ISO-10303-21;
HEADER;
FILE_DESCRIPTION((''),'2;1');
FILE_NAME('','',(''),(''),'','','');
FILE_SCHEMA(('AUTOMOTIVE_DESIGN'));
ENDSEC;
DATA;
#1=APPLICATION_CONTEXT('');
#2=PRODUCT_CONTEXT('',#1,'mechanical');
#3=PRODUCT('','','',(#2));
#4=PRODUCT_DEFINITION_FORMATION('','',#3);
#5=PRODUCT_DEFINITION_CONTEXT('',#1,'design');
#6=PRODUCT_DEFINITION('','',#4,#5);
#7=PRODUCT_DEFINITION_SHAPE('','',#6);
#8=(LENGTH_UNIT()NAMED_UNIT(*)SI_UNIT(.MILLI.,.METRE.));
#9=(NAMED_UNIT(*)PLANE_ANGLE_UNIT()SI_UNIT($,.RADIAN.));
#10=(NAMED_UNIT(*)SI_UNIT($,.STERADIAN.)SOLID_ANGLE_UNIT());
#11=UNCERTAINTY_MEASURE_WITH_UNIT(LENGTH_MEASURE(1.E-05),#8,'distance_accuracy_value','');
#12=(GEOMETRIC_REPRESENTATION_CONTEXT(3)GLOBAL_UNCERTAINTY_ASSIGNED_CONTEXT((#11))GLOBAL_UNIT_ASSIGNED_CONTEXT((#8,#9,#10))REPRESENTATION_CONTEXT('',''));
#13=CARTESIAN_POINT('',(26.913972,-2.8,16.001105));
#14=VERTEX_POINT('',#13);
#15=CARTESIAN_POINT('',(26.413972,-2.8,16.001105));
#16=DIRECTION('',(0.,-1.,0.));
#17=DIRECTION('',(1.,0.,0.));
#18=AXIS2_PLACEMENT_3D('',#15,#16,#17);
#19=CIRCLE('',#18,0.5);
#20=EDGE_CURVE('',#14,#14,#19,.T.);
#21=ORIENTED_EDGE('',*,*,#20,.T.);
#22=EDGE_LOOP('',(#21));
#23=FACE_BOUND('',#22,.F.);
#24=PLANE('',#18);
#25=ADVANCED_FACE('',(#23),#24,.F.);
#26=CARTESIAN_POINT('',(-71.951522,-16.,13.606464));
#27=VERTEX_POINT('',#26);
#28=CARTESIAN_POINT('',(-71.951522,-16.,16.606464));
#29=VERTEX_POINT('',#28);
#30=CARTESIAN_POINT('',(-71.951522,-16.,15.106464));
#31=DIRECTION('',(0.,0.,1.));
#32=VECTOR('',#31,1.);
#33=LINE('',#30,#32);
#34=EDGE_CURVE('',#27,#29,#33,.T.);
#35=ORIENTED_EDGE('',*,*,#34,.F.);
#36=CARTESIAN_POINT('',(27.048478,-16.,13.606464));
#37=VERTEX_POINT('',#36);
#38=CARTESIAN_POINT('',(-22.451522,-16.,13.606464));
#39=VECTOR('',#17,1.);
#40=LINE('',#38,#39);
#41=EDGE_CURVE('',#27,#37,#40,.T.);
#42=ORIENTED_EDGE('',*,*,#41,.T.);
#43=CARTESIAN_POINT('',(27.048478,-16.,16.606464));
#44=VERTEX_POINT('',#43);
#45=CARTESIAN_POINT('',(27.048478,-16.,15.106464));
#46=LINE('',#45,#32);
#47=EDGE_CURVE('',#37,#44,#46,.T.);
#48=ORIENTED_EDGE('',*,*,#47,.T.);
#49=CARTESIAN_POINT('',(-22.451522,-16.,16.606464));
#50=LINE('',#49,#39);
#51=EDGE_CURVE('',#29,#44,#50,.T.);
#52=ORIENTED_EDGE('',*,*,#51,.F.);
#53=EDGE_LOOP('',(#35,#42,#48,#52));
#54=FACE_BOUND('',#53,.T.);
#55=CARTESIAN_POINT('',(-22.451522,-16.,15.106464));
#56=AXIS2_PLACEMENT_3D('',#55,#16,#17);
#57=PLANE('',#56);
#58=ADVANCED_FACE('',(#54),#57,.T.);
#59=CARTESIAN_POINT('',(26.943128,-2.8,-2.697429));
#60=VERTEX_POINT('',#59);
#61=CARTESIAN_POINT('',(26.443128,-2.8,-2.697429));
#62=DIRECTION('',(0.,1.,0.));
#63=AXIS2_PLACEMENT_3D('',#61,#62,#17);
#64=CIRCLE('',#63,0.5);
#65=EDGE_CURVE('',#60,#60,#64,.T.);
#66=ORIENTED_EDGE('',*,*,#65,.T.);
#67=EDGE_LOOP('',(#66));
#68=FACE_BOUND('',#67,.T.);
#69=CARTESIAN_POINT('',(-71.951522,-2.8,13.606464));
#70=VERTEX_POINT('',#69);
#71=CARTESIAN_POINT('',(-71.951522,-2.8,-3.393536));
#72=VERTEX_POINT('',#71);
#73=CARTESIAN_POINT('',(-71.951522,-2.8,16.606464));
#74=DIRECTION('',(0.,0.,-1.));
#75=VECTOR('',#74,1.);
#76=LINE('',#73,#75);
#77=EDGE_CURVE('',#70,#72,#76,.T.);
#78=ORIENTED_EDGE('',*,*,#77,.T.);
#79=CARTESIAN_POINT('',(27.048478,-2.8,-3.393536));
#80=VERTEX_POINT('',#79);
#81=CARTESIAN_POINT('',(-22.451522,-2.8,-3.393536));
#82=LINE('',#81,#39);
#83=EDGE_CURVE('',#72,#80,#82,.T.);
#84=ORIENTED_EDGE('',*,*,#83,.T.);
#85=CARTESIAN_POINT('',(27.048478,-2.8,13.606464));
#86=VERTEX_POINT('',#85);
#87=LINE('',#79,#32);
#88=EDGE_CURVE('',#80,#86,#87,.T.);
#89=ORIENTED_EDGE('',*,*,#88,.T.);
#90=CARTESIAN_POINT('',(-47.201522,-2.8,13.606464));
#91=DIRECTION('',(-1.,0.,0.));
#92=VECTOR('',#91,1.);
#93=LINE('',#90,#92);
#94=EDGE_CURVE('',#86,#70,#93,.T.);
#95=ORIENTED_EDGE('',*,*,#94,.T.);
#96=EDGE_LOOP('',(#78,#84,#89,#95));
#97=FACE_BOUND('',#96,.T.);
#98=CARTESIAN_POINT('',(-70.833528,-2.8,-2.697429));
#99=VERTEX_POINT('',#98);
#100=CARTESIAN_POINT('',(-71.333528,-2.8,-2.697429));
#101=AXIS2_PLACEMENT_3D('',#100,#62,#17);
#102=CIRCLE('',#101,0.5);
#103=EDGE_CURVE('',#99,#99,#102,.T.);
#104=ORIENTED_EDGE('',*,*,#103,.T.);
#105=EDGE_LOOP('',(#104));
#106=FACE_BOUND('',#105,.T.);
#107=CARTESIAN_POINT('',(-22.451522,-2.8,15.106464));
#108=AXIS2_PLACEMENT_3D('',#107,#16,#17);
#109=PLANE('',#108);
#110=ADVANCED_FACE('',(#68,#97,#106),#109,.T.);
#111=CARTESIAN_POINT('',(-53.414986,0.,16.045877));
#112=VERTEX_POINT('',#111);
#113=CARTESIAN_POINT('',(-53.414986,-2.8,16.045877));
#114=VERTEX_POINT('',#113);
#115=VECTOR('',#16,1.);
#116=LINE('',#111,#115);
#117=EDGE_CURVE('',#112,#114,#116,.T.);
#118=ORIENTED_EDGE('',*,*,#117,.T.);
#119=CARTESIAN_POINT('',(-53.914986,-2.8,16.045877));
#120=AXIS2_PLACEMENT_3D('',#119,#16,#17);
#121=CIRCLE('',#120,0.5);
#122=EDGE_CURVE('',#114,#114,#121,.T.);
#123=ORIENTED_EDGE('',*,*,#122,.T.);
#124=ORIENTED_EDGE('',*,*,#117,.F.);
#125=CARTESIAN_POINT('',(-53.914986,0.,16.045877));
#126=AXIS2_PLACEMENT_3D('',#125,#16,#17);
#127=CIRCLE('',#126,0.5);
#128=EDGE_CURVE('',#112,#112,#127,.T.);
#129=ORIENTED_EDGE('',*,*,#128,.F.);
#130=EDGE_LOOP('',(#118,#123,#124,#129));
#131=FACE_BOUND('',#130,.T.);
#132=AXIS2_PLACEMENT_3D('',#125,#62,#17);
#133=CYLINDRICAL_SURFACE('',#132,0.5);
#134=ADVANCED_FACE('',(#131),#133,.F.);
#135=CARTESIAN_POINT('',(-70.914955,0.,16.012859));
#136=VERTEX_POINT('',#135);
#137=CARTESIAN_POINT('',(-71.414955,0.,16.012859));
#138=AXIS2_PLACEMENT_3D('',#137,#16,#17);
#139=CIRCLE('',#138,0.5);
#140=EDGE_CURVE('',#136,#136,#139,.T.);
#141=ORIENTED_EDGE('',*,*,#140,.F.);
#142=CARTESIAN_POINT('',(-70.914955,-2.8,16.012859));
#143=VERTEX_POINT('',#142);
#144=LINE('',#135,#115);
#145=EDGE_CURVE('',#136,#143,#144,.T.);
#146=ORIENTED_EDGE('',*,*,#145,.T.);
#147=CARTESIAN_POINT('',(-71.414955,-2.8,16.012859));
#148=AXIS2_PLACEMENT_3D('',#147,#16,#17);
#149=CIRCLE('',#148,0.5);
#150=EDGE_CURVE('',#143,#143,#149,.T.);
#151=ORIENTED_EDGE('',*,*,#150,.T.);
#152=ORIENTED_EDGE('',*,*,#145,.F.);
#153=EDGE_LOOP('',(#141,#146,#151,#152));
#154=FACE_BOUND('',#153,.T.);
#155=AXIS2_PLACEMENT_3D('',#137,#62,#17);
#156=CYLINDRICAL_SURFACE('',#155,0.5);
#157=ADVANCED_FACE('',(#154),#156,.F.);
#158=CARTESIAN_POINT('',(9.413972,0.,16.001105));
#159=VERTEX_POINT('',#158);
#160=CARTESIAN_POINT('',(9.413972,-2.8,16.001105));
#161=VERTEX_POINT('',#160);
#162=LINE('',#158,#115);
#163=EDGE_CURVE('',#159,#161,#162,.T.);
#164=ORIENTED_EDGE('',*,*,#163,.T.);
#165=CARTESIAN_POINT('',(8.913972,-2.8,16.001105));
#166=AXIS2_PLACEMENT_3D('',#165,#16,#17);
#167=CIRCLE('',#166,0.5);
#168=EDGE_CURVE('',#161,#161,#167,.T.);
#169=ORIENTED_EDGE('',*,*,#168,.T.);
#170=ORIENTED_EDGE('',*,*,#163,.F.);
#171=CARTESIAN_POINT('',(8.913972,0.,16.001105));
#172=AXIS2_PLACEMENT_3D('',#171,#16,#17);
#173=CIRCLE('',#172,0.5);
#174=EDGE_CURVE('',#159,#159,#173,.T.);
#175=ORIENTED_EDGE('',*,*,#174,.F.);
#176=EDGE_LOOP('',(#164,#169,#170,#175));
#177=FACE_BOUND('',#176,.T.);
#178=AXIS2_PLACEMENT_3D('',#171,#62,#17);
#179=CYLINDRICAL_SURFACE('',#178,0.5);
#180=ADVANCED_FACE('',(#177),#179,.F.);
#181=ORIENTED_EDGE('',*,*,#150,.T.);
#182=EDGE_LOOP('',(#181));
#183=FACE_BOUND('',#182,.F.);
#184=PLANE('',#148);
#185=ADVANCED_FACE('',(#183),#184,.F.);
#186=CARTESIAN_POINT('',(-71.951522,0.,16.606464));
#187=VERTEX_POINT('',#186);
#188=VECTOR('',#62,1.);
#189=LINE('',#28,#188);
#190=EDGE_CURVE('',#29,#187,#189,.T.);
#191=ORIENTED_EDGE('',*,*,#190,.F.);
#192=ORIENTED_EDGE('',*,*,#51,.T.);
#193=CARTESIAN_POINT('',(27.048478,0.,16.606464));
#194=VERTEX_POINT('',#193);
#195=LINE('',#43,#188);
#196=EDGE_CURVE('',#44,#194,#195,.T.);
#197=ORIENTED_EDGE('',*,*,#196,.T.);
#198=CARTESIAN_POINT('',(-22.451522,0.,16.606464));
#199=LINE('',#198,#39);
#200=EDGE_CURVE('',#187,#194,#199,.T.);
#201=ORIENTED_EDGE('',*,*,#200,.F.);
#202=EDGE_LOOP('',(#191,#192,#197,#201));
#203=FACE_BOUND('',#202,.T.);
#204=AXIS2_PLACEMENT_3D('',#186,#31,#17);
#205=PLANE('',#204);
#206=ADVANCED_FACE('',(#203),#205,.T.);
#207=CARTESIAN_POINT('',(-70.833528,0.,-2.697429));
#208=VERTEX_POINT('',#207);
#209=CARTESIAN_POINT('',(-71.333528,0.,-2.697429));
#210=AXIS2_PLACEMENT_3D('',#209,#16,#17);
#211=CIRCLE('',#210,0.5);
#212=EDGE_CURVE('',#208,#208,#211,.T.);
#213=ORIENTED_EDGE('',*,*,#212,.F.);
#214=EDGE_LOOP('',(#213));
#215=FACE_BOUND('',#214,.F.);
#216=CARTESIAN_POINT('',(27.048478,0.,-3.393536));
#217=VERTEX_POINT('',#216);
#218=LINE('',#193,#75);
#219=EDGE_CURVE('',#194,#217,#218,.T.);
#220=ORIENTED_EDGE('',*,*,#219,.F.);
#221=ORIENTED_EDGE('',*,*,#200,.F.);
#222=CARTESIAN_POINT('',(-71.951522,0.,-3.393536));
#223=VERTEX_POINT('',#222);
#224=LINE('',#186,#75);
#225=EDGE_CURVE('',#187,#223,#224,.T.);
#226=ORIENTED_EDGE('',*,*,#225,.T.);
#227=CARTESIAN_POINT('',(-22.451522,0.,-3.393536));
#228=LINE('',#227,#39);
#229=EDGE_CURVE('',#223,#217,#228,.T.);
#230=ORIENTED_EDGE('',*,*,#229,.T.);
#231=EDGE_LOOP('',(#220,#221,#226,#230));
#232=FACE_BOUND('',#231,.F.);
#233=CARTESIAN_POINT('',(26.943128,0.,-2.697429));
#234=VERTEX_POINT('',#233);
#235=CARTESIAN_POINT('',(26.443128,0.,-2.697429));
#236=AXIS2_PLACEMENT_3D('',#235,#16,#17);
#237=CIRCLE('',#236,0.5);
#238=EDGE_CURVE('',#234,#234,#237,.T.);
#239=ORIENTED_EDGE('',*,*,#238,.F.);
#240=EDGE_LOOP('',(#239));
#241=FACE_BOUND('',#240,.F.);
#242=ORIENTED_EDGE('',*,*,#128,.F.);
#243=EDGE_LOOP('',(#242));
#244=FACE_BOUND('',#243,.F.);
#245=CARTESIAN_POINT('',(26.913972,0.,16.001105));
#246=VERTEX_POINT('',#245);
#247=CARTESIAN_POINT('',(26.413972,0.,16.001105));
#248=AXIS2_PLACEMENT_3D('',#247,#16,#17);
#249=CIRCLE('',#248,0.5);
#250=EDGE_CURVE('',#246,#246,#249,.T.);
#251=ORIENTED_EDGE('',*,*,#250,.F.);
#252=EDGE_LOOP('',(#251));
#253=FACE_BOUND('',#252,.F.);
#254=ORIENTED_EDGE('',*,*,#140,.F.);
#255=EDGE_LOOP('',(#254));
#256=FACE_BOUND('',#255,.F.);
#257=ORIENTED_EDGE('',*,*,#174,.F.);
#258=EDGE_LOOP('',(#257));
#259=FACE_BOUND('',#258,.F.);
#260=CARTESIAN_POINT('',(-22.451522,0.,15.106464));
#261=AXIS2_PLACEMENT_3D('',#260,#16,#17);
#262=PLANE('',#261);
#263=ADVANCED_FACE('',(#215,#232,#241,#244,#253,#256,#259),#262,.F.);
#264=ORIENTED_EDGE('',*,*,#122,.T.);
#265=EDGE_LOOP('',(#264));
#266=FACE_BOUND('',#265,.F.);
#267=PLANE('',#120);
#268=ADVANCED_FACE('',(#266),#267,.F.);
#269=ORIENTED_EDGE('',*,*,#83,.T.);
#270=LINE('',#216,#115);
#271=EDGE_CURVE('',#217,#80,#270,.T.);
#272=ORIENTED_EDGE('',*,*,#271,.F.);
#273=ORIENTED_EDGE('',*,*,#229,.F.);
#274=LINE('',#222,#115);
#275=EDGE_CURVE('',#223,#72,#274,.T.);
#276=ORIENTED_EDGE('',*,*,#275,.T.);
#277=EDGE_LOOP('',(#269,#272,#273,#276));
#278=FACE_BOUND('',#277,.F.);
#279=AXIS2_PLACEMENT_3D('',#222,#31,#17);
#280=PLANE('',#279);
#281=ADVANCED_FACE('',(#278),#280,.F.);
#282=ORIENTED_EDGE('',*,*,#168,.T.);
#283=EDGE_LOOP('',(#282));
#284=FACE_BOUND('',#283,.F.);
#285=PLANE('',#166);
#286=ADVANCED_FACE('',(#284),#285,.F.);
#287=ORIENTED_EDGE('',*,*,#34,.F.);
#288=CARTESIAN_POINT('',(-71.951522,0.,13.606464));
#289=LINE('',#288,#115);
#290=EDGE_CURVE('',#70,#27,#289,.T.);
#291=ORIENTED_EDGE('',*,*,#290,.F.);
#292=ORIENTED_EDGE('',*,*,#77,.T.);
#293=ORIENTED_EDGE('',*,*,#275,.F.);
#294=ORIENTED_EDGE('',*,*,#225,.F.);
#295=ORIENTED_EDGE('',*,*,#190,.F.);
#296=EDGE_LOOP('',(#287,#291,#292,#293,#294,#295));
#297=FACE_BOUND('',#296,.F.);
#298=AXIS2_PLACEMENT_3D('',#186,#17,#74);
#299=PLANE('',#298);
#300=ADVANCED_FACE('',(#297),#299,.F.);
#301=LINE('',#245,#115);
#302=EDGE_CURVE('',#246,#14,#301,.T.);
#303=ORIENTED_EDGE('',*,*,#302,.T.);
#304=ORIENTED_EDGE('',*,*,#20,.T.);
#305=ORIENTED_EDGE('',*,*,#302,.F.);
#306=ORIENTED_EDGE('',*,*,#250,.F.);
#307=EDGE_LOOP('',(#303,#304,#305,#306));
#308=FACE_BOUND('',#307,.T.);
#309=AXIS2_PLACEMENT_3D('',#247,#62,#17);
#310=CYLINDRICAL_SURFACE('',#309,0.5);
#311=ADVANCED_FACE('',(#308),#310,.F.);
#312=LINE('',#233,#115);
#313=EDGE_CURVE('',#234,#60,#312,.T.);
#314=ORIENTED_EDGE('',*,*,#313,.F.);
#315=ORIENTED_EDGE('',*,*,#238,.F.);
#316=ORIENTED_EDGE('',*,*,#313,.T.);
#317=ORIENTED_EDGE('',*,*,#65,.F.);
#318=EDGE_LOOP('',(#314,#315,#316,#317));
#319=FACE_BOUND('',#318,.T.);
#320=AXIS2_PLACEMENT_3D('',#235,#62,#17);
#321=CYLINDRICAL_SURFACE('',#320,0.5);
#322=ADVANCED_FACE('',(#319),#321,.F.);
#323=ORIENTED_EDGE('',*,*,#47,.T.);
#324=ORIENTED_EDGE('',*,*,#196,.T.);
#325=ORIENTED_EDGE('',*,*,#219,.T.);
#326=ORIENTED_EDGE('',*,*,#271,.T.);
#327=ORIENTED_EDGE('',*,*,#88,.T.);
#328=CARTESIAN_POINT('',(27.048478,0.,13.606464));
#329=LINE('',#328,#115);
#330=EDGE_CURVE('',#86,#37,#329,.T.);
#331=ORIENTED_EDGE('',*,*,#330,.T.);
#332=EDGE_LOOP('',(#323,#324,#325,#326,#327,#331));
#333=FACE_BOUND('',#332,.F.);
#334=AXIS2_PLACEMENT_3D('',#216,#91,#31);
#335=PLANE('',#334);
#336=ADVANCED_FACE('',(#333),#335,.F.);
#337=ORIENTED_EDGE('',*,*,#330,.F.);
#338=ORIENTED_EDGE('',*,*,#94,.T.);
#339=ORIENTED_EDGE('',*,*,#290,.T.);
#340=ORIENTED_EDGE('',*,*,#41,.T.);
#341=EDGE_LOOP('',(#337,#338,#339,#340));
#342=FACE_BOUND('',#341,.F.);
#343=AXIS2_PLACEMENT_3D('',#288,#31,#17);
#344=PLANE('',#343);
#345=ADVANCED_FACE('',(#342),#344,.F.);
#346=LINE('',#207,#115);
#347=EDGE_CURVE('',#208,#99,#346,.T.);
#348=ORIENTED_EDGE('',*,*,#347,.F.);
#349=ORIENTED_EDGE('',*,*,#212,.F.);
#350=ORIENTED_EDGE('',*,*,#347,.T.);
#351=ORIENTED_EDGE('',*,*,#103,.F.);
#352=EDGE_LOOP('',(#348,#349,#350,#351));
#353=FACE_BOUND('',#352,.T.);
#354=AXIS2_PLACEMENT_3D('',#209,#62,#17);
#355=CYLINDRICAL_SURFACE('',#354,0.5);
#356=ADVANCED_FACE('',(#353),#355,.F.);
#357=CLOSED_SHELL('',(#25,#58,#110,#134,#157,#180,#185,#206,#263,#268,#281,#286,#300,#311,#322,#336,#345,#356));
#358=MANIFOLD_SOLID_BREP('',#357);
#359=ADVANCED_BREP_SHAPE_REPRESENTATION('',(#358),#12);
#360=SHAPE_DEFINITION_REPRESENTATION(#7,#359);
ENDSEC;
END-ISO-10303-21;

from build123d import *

# Parameters (mm, degrees)
F0_W     = 99
F0_H     = 3
F0_H_2   = 17
F1_DEPTH = 2.8
F2_DEPTH = 16
F3_R     = 0.5
F4_DEPTH = 3
F5_R     = 0.5
F6_DEPTH = 2.8
F7_DEPTH = 3


with BuildPart() as f1:
    # F0 (on Front) → F1 (new body)
    with BuildSketch(Plane.XZ):
        with Locations((-22.451522, 15.106464)):
            Rectangle(F0_W, F0_H)
        with Locations((-22.451522, 5.106464)):
            Rectangle(F0_W, F0_H_2)
    extrude(amount=F1_DEPTH)

    # F0 (on Front) → F2 (join)
    with BuildSketch(Plane.XZ):
        with Locations((-22.451522, 15.106464)):
            Rectangle(F0_W, F0_H)
    extrude(amount=F2_DEPTH)

    # F3 (on face) → F4 (cut)
    with BuildSketch(Plane.XZ):
        with Locations((26.443128, -2.697429)):
            Circle(F3_R)
        with Locations((-71.333528, -2.697429)):
            Circle(F3_R)
    extrude(amount=F4_DEPTH, mode=Mode.SUBTRACT)

    # F5 (on face) → F6 (cut)
    with BuildSketch(Plane.XZ):
        with Locations((26.413972, 16.001105)):
            Circle(F5_R)
        with Locations((-71.414955, 16.012859)):
            Circle(F5_R)
        with Locations((8.913972, 16.001105)):
            Circle(F5_R)
        with Locations((-53.914986, 16.045877)):
            Circle(F5_R)
    extrude(amount=F6_DEPTH, mode=Mode.SUBTRACT)

    # F5 (on face) → F7 (cut)
    with BuildSketch(Plane.XZ):
        with Locations((26.413972, 16.001105)):
            Circle(F5_R)
        with Locations((-71.414955, 16.012859)):
            Circle(F5_R)
        with Locations((8.913972, 16.001105)):
            Circle(F5_R)
        with Locations((-53.914986, 16.045877)):
            Circle(F5_R)
    extrude(amount=-F7_DEPTH, mode=Mode.SUBTRACT)


solid = f1.part
